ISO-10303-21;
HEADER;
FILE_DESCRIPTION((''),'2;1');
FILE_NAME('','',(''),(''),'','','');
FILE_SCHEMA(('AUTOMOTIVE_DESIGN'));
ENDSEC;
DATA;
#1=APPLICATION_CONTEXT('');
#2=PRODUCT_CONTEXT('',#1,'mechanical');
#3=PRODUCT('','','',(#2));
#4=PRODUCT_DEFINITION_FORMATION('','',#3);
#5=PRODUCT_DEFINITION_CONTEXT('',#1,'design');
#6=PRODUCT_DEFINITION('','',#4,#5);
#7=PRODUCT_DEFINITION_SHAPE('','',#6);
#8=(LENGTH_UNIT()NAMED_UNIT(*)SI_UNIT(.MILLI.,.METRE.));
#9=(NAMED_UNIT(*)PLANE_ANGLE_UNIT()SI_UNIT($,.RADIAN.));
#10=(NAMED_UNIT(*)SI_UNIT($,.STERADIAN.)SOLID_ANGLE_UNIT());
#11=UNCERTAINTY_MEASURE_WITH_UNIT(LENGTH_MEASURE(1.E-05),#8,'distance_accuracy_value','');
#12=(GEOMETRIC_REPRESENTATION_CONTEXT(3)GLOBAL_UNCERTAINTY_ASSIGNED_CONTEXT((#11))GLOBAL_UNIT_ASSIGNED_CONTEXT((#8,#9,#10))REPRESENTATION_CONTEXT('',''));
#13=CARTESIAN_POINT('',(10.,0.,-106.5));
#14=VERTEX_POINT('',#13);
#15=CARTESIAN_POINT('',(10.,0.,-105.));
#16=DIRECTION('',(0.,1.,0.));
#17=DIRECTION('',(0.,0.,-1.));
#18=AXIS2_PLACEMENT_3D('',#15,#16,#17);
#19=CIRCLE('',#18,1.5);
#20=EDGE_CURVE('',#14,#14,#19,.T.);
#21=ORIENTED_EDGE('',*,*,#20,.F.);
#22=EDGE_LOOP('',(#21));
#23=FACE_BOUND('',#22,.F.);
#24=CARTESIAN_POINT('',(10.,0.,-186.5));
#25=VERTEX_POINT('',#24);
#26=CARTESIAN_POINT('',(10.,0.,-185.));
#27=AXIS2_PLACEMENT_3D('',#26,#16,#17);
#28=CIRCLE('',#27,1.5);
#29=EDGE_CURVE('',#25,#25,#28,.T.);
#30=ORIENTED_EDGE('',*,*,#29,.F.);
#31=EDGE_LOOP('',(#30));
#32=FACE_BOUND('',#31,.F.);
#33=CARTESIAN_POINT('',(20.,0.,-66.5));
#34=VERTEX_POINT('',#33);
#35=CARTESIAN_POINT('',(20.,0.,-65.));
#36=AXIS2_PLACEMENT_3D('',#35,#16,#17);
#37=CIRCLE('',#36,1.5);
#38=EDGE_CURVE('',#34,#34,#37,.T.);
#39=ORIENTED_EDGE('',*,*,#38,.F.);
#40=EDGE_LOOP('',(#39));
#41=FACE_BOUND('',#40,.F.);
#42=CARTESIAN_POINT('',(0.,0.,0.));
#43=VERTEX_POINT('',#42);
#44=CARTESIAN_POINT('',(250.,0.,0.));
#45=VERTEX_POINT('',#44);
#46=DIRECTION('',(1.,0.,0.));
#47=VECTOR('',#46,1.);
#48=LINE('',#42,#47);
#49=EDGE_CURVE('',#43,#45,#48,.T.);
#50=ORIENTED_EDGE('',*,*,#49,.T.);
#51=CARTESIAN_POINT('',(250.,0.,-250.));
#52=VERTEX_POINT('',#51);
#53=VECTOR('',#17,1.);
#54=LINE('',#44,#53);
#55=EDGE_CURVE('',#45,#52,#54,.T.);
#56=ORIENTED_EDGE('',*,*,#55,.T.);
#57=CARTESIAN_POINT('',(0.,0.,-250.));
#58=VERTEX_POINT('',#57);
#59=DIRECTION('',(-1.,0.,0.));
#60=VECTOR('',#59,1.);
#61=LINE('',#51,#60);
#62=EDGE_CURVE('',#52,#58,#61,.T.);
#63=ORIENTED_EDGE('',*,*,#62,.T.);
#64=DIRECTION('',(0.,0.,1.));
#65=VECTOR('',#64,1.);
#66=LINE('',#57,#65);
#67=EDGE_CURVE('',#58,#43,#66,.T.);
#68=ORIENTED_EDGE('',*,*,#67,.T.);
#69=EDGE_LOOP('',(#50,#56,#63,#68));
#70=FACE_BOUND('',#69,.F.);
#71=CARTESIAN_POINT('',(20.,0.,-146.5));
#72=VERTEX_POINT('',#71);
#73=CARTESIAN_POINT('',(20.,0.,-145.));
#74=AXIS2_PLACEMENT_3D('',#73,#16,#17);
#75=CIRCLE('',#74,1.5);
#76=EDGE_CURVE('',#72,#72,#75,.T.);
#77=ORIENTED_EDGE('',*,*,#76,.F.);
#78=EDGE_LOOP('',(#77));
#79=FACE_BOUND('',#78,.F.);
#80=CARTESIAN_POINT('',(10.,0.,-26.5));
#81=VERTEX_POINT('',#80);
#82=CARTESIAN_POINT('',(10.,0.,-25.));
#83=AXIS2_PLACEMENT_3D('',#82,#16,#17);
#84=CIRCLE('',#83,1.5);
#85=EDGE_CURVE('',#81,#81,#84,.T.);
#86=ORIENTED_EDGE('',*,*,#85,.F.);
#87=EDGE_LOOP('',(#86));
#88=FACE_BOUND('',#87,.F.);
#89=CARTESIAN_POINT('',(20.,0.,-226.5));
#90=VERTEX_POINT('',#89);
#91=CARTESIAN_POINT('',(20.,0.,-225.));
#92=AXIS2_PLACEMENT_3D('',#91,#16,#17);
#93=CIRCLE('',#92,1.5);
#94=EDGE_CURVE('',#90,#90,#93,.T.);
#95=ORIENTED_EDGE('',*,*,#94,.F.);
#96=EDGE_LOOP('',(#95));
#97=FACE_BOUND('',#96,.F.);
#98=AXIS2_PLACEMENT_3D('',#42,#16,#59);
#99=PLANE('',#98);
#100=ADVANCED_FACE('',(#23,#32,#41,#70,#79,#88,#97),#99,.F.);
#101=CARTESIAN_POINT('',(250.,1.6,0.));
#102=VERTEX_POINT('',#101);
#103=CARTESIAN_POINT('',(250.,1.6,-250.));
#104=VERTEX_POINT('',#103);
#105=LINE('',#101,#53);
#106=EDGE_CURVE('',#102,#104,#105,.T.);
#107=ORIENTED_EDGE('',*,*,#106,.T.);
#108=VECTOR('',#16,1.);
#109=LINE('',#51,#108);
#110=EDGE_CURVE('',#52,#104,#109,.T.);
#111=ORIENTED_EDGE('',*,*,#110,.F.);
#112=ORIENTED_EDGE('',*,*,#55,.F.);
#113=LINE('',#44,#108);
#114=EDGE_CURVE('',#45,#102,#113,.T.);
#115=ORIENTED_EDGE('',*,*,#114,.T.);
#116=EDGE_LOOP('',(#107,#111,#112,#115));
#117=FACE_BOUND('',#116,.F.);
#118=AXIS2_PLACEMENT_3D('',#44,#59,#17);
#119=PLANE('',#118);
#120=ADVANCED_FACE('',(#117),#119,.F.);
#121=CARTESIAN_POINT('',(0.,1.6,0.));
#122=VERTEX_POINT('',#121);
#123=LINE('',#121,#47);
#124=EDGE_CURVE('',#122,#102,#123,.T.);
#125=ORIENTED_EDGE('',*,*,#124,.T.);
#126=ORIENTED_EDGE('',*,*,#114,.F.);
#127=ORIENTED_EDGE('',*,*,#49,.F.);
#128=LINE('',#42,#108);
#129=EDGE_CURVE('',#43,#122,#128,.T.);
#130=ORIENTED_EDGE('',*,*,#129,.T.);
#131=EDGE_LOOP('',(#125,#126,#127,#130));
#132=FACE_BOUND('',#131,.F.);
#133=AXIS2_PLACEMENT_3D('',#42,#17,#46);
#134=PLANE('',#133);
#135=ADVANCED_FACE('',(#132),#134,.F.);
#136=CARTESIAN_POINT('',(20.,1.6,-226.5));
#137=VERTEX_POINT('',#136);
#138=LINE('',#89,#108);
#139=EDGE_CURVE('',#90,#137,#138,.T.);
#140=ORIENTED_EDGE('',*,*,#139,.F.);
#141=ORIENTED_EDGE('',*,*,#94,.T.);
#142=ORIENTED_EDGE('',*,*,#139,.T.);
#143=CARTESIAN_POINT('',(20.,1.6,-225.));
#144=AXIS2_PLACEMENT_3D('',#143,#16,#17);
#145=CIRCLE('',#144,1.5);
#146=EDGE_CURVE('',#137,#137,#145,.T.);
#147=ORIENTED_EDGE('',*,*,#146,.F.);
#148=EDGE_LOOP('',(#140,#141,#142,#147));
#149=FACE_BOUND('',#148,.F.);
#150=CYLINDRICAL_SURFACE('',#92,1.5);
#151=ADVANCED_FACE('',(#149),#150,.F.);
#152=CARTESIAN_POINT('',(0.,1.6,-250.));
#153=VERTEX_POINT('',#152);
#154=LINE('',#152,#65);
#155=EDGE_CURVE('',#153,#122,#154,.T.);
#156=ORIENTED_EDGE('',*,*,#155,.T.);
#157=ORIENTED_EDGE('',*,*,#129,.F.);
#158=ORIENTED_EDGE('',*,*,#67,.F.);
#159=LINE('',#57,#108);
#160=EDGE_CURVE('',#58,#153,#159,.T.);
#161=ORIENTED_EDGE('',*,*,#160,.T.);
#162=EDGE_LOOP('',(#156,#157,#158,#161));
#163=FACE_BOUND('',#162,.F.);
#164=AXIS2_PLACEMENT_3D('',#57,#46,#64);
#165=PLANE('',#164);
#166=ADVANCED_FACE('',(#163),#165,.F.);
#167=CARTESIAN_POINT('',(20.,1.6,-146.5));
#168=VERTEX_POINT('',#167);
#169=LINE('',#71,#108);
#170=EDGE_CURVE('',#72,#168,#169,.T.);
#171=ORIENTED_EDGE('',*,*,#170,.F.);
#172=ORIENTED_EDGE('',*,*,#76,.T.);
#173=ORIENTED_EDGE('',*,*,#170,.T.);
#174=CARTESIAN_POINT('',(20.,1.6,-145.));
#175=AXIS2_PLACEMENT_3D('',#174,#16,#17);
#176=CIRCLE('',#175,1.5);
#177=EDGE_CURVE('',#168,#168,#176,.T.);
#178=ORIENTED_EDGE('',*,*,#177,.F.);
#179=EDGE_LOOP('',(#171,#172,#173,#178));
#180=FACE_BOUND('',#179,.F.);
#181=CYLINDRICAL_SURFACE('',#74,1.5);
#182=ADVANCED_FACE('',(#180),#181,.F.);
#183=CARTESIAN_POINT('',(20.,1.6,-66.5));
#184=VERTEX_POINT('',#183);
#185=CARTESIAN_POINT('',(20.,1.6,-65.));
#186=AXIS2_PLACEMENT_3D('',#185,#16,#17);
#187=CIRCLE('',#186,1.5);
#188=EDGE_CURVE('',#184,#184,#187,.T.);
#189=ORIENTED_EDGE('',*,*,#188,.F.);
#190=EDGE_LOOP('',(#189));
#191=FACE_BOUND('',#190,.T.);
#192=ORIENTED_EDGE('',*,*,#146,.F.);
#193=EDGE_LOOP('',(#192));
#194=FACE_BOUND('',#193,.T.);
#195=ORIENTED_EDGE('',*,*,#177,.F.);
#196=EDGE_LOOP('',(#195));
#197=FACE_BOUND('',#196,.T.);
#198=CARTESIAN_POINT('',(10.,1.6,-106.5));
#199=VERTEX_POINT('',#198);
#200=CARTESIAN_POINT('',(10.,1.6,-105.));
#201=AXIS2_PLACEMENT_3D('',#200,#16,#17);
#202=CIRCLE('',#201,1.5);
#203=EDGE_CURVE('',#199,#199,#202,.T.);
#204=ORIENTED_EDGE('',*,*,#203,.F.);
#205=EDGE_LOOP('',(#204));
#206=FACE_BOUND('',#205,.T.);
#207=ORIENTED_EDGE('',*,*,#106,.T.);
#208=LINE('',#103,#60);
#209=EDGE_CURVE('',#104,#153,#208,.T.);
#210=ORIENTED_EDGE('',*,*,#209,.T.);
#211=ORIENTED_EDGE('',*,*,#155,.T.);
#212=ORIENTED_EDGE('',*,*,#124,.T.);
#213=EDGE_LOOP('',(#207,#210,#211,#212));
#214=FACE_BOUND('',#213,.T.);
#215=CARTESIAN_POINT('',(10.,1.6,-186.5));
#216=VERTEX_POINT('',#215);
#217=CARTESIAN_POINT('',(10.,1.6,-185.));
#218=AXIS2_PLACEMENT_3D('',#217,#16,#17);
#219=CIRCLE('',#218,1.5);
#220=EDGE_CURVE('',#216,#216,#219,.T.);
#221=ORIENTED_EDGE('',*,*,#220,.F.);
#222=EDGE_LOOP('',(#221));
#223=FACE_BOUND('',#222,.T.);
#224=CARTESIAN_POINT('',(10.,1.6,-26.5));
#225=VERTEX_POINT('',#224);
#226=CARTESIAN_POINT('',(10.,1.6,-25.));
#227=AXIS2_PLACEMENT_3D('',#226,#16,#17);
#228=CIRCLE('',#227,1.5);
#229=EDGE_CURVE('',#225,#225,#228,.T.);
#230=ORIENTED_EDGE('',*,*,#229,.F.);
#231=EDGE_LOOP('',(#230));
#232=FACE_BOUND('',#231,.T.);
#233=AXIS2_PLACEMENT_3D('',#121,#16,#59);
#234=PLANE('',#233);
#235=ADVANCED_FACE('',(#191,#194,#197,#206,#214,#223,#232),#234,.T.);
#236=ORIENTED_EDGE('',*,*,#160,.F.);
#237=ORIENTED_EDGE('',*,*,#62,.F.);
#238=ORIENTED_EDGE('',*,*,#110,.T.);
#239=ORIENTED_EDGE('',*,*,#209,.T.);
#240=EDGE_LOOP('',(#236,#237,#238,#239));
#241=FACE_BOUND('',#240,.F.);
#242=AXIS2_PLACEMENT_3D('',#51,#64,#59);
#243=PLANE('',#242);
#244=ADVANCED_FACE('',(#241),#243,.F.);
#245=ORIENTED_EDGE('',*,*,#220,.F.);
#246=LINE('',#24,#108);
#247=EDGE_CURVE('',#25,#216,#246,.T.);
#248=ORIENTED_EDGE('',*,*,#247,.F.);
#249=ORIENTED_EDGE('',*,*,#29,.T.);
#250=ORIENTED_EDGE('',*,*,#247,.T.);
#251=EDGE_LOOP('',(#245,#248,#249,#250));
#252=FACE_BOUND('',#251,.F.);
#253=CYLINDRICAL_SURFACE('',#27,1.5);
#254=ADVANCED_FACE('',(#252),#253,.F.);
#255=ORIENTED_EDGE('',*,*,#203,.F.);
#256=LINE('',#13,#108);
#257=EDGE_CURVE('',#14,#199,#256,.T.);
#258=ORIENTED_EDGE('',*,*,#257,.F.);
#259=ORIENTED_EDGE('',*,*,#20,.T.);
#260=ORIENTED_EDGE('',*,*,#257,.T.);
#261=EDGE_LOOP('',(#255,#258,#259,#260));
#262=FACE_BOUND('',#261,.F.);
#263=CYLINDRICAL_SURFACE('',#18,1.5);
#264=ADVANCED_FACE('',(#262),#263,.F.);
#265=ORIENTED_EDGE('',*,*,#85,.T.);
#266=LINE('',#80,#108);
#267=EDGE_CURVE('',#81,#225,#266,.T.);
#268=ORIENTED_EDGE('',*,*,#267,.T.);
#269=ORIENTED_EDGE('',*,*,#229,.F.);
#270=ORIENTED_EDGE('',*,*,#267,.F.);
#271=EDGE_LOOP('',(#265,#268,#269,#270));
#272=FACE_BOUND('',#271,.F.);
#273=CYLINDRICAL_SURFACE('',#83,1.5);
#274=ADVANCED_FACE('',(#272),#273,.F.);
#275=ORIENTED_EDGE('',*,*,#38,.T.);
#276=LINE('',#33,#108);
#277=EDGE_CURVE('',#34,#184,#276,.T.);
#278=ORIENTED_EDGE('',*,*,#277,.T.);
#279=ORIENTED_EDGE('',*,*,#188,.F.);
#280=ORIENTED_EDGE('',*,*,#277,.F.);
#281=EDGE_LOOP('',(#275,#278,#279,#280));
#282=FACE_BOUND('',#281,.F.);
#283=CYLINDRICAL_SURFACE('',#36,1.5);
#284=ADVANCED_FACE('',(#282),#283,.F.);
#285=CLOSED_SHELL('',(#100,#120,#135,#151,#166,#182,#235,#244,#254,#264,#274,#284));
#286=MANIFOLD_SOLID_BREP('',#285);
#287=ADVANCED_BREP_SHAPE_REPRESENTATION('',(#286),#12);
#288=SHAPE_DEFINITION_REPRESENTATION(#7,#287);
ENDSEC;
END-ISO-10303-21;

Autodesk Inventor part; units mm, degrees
ref_plane "YZ Plane" through (0, 0, 0) normal (1, 0, 0) x (0, 1, 0)
ref_plane "XZ Plane" through (0, 0, 0) normal (0, 1, 0) x (-1, 0, 0)
ref_plane "XY Plane" through (0, 0, 0) normal (0, 0, 1) x (1, 0, 0)
sketch "Sketch1" plane through (0, 0, 0) normal (0, 1, 0) x (-1, 0, 0)
  line L0 (0, 0) -> (-250, 0)
  line L1 (-250, 0) -> (-250, -250)
  line L2 (-250, -250) -> (0, -250)
  line L3 (0, -250) -> (0, 0)
  dimension "d0" = 250
  dimension "d1" = 250
extrude "Extrusion1" add sketch "Sketch1" along normal blind 1.6
sketch "Sketch2" plane through (0, 0, 0) normal (0, -1, 0) x (1, 0, 0)
  line L0 (0, -250) -> (0, 0) projected
  line L1 (0, 0) -> (250, 0) projected
  point P0 (10, -25)
  point P1 (10, -105)
  point P2 (10, -185)
  point P3 (20, -225)
  point P4 (20, -145)
  point P5 (20, -65)
  dimension "d4" = 10
  dimension "d5" = 10
  dimension "d6" = 40
  dimension "d7" = 40
  dimension "d8" = 40
  dimension "d9" = 40
  dimension "d10" = 40
  dimension "d11" = 25
hole "Hole1" at (10, 0, -25) at (10, 0, -105) at (10, 0, -185) at (20, 0, -225) at (20, 0, -145) at (20, 0, -65) direction (0, 1, 0) diameter 3 end through all
equation "\"d7\" = d6"
equation "\"d8\" = d6"
equation "\"d9\" = d6"
equation "\"d10\" = d6"
properties part number "Door" material "Steel"
